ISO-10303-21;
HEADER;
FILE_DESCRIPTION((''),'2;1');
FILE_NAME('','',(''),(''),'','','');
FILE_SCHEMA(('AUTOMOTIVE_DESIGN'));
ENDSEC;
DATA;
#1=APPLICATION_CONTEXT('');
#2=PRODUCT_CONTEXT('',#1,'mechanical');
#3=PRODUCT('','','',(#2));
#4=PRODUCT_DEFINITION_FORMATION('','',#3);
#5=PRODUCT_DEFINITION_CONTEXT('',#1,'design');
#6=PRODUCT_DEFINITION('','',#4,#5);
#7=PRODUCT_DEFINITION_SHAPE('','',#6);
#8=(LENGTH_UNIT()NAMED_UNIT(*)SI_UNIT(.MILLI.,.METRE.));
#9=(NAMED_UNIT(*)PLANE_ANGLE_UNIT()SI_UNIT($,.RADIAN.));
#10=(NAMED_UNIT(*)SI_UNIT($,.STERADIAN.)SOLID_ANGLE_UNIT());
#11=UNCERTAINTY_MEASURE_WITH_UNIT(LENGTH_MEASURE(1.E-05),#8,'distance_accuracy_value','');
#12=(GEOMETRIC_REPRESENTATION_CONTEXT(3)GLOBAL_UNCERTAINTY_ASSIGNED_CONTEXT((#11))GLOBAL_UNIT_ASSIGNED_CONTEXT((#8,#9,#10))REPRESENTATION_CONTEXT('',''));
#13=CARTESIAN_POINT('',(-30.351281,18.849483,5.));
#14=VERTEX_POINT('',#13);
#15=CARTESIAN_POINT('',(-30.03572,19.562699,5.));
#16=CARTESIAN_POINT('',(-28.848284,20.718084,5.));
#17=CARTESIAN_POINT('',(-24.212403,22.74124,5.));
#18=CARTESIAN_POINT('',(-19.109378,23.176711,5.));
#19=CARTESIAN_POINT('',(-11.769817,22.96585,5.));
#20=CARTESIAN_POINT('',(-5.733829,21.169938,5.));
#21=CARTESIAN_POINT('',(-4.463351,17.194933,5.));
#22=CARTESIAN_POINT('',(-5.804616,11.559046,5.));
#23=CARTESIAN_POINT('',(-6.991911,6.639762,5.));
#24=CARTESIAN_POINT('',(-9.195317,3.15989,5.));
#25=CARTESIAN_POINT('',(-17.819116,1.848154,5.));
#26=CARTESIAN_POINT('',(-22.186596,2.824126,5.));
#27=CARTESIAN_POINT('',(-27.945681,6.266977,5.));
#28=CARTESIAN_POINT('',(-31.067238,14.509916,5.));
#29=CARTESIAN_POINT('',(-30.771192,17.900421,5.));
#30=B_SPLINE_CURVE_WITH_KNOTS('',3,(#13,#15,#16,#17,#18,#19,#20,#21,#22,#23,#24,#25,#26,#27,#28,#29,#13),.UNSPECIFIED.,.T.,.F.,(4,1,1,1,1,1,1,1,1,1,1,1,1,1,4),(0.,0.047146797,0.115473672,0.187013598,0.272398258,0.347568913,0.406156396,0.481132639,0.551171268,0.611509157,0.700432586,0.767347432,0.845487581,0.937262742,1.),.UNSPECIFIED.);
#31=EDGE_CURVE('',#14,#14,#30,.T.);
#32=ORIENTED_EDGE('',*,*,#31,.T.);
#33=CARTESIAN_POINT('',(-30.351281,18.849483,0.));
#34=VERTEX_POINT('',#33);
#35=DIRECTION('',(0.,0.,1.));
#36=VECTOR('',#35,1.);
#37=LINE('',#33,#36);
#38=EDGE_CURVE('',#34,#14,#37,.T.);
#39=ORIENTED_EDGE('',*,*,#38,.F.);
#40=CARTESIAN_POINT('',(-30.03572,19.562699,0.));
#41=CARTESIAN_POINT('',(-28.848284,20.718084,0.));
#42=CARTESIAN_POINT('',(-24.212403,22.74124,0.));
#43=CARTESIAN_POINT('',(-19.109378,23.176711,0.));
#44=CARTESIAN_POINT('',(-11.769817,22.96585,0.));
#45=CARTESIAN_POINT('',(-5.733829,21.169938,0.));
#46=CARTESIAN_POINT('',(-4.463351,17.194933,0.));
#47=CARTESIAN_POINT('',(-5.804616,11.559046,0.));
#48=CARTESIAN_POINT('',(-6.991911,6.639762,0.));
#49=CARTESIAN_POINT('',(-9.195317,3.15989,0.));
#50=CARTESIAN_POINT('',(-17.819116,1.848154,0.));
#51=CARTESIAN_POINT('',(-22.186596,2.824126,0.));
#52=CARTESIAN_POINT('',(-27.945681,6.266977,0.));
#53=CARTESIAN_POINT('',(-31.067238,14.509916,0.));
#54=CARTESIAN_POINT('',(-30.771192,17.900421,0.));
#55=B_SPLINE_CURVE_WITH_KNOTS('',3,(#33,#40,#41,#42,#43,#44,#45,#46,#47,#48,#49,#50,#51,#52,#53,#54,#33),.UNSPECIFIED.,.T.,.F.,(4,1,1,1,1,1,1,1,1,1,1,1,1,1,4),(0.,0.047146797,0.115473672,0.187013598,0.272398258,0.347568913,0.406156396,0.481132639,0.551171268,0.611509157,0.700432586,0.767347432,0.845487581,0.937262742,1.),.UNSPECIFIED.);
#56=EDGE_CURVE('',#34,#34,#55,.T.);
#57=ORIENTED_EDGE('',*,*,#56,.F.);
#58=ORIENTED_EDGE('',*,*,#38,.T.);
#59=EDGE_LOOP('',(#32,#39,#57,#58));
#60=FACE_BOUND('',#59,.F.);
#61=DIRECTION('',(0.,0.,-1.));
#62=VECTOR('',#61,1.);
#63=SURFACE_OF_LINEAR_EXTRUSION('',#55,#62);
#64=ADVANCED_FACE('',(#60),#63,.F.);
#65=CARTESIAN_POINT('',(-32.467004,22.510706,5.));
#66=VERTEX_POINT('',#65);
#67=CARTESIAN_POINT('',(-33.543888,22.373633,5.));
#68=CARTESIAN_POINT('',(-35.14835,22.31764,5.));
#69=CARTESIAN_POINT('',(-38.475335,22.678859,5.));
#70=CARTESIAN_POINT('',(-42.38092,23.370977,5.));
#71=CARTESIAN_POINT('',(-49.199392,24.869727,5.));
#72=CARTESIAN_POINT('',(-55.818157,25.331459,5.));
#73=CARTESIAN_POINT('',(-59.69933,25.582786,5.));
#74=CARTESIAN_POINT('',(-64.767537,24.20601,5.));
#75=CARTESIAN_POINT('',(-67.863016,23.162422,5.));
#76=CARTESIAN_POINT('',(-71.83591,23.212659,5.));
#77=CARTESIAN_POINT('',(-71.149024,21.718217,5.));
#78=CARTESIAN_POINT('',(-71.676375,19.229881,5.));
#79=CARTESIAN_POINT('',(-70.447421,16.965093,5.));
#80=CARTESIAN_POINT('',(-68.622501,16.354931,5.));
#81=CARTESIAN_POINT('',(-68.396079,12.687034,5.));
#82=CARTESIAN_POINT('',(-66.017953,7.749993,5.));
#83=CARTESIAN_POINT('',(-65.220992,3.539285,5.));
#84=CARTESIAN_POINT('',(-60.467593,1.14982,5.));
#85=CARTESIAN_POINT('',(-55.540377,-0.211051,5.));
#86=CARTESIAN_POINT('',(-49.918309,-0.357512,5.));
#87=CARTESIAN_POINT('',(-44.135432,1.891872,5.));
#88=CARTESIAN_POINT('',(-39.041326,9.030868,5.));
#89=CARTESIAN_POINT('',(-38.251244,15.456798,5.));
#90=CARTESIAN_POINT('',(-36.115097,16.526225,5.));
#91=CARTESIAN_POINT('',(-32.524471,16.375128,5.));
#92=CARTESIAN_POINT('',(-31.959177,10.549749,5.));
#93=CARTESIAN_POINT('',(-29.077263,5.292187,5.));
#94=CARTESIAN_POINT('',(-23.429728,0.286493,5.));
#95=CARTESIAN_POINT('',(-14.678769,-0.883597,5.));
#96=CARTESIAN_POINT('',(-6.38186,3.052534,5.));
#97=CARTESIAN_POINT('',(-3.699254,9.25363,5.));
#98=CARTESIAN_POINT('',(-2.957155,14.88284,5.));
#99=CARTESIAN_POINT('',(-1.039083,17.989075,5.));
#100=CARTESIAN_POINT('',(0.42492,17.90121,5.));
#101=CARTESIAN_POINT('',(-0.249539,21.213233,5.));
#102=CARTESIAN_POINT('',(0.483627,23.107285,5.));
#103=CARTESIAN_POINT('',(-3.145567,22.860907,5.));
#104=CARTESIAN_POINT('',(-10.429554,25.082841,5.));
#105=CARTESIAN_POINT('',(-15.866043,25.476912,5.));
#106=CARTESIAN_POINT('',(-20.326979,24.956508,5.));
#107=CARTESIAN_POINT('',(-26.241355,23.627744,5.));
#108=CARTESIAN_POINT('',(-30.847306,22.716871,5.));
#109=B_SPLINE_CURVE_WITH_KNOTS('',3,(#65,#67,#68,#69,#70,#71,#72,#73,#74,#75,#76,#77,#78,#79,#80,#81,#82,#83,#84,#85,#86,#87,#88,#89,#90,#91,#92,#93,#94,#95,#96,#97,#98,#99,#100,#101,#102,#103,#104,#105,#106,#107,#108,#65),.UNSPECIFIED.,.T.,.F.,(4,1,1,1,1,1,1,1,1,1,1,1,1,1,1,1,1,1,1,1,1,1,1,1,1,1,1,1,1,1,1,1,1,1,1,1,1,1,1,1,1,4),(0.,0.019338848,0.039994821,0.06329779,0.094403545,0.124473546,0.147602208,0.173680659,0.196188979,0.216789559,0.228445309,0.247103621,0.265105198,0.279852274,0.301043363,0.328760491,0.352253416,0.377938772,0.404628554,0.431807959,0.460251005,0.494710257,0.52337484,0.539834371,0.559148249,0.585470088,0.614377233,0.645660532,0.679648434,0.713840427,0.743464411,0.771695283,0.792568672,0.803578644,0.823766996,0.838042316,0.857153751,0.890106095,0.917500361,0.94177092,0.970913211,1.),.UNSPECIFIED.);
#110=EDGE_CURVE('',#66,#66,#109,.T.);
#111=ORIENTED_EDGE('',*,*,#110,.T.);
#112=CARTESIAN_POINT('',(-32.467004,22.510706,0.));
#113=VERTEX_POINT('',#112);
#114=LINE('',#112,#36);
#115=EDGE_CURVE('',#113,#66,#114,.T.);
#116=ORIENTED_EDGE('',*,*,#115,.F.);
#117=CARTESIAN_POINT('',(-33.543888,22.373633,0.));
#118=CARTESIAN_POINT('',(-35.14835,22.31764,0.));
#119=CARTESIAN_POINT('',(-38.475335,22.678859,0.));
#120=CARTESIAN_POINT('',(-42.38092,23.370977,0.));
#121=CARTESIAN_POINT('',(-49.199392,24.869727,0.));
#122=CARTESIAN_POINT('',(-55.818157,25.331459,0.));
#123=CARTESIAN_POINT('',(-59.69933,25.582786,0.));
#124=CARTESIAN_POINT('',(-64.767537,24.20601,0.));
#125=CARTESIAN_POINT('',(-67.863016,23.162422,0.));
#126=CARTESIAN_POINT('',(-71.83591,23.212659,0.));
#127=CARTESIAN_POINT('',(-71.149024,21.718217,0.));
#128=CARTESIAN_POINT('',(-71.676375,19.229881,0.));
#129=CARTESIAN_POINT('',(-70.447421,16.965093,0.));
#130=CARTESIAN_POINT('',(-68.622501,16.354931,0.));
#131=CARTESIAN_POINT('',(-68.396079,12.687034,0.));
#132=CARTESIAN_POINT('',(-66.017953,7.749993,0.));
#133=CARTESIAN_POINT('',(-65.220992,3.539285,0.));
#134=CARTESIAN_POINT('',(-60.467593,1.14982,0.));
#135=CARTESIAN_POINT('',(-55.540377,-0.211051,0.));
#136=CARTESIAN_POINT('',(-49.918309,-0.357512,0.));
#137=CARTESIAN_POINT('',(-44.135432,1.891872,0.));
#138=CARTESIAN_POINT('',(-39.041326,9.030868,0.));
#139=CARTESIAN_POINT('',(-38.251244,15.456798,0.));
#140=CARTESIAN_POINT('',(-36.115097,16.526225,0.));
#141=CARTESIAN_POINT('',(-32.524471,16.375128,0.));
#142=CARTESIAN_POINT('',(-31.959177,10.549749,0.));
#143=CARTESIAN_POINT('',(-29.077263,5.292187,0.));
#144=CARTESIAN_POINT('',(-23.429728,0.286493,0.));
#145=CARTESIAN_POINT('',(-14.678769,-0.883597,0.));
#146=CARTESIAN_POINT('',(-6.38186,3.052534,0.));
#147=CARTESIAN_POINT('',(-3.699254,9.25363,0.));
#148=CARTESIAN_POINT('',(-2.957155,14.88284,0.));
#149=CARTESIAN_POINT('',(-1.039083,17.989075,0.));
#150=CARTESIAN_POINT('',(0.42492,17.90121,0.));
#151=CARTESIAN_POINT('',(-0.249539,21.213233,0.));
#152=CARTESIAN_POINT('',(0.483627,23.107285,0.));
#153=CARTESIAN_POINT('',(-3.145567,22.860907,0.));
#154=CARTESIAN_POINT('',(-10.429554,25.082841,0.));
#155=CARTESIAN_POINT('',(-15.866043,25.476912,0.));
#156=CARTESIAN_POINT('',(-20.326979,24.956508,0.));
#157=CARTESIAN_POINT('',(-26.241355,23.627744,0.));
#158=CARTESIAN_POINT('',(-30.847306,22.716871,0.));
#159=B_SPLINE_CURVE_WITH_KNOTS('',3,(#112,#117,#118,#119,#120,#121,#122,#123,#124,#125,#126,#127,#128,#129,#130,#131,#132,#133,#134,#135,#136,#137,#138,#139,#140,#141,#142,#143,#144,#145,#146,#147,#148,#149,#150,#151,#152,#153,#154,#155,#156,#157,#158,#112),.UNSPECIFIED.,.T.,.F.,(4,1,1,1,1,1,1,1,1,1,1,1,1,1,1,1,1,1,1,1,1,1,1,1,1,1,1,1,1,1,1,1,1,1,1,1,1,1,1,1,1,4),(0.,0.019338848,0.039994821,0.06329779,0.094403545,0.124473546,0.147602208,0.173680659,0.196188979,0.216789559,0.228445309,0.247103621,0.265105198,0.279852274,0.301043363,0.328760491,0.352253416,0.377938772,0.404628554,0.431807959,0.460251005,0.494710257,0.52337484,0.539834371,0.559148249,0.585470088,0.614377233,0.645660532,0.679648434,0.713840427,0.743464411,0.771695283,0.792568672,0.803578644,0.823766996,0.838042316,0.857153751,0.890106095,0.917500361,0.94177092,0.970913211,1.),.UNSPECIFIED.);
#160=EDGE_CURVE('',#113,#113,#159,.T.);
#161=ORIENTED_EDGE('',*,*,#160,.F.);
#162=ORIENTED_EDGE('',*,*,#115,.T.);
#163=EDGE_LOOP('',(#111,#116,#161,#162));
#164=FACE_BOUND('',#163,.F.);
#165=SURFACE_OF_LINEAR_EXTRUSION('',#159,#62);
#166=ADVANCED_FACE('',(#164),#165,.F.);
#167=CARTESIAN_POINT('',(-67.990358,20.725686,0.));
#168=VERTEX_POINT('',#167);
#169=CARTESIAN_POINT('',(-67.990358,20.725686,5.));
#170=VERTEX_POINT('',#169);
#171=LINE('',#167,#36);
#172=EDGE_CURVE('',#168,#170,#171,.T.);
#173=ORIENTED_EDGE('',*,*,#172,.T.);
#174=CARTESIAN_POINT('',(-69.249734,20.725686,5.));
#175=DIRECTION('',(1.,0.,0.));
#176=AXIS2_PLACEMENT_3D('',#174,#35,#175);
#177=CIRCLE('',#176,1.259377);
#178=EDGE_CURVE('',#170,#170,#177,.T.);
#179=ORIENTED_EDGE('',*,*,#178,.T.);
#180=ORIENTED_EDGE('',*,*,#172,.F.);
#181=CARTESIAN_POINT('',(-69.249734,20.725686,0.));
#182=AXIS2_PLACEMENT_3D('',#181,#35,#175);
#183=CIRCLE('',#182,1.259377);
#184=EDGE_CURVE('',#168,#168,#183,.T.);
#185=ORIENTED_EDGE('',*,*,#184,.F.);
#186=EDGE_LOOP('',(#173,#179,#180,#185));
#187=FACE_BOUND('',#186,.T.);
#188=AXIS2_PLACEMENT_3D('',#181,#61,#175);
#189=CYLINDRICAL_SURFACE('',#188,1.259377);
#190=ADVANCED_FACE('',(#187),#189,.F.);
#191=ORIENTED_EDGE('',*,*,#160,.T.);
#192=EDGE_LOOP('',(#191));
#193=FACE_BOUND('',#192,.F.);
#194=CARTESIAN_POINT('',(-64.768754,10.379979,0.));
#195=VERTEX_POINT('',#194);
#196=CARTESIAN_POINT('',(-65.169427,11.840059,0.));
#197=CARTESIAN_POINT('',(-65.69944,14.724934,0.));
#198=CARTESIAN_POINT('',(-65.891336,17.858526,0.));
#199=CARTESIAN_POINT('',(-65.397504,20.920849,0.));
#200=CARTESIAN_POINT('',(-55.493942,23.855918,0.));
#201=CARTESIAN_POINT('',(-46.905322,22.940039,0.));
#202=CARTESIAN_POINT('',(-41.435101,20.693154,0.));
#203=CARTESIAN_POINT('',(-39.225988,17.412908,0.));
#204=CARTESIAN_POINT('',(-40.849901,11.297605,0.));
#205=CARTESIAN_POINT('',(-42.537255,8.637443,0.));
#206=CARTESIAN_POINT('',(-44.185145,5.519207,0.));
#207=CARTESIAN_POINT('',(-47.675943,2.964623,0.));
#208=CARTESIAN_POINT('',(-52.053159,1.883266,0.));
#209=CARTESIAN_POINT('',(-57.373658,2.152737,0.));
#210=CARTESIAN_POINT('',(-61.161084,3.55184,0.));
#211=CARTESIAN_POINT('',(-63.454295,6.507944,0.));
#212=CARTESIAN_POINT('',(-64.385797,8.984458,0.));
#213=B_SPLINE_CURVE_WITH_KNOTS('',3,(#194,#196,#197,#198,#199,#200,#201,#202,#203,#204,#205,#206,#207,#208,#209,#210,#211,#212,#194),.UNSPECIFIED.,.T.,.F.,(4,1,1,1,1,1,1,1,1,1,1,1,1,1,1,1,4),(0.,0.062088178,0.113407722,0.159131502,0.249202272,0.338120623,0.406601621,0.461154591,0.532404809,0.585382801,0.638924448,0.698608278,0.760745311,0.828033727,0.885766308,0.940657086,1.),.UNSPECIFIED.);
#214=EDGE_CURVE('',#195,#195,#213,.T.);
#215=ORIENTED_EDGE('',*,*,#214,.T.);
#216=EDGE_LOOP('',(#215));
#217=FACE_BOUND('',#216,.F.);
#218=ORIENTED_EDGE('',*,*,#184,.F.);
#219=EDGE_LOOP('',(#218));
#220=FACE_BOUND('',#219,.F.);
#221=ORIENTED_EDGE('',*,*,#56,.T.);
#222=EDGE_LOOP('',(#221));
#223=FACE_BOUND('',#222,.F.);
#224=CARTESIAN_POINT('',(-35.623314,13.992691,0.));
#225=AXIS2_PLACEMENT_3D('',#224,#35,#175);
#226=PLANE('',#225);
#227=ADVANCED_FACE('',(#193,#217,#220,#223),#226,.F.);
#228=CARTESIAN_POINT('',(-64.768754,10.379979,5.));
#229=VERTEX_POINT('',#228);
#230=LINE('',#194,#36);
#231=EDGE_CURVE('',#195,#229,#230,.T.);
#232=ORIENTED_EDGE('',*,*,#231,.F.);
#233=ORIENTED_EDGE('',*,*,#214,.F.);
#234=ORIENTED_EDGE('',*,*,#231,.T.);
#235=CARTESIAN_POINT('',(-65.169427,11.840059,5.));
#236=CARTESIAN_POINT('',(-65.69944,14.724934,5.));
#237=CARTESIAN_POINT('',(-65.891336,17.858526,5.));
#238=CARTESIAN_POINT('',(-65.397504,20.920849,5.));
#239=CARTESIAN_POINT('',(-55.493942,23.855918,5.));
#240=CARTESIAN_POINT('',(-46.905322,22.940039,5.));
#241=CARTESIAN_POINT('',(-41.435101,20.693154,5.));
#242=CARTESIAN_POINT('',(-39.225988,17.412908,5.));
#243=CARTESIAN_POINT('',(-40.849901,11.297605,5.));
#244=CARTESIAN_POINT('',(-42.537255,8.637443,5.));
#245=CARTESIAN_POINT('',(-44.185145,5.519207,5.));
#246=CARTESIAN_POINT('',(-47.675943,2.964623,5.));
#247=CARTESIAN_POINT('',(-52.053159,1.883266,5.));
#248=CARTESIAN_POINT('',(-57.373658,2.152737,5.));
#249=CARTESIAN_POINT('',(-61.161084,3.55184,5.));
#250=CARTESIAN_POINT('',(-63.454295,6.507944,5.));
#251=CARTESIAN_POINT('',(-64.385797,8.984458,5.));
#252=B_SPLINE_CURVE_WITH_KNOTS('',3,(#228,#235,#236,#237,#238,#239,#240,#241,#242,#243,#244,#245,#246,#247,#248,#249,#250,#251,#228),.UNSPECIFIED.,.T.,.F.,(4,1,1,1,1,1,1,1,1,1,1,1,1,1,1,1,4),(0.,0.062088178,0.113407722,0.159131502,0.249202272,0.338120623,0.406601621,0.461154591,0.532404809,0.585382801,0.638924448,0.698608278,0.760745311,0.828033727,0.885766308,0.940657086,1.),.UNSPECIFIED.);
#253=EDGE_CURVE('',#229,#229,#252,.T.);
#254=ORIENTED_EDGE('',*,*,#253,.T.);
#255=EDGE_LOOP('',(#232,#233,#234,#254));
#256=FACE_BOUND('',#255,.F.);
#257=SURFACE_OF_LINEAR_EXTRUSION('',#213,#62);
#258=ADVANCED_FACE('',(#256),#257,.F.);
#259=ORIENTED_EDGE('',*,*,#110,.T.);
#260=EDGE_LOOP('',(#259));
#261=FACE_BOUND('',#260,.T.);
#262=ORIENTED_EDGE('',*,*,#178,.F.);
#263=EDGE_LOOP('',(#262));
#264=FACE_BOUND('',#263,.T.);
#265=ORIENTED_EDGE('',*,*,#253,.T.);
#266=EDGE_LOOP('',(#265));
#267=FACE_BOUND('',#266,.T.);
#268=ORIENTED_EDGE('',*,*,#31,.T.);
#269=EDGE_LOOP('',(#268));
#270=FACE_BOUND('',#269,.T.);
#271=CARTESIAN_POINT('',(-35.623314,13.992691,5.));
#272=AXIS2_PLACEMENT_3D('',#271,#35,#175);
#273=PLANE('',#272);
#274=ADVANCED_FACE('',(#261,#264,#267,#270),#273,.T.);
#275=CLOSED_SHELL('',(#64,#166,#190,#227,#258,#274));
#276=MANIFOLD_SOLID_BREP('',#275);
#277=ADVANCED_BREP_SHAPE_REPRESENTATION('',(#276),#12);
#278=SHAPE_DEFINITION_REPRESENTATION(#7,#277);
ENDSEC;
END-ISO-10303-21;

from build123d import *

# Parameters (mm, degrees)
F0_R     = 1.2593767184
F1_DEPTH = 5
F2_DEPTH = 5


with BuildPart() as f1:
    # F0 (on Top) → F1 (new body)
    with BuildSketch(Plane.XY):
        with BuildLine():
            add(Edge.make_bspline(
                [(-32.4670039117, 22.5107055157), (-33.5438875434, 22.37363291), (-35.1483504082, 22.317639734), (-38.4753353368, 22.6788585954), (-42.3809195826, 23.3709765733), (-49.1993919331, 24.8697274522), (-55.818156536, 25.331459278), (-59.6993304341, 25.5827856081), (-64.767537319, 24.2060099944), (-67.8630156337, 23.1624223492), (-71.8359103057, 23.212659343), (-71.1490241731, 21.7182168139), (-71.6763752003, 19.2298809734), (-70.4474206302, 16.9650934242), (-68.6225014634, 16.354931492), (-68.3960793371, 12.6870340034), (-66.0179532942, 7.7499930435), (-65.2209921235, 3.5392845813), (-60.4675931962, 1.1498202818), (-55.5403765883, -0.2110511423), (-49.9183092031, -0.3575119994), (-44.1354317681, 1.8918722099), (-39.0413260148, 9.0308680536), (-38.2512441556, 15.4567975901), (-36.1150973148, 16.5262245979), (-32.5244707295, 16.3751279381), (-31.9591765908, 10.5497488998), (-29.0772627839, 5.2921866816), (-23.4297282093, 0.2864925895), (-14.6787691691, -0.883596864), (-6.3818599054, 3.0525344854), (-3.6992542177, 9.2536300563), (-2.9571554868, 14.882839804), (-1.0390831864, 17.9890749211), (0.4249195793, 17.901210217), (-0.2495387265, 21.2132328924), (0.48362691, 23.1072853658), (-3.1455670919, 22.8609067775), (-10.4295540475, 25.082841205), (-15.8660427387, 25.4769117588), (-20.3269785213, 24.9565081321), (-26.241354714, 23.6277442476), (-30.8473063058, 22.7168709405), (-32.4670039117, 22.5107055157)],
                knots=[0, 0, 0, 0, 0.0193388485, 0.0399948206, 0.0632977904, 0.0944035454, 0.1244735459, 0.1476022082, 0.1736806586, 0.196188979, 0.2167895586, 0.2284453091, 0.2471036214, 0.2651051983, 0.2798522741, 0.3010433634, 0.3287604912, 0.3522534164, 0.377938772, 0.4046285538, 0.4318079587, 0.4602510047, 0.4947102568, 0.5233748398, 0.5398343705, 0.5591482488, 0.5854700879, 0.614377233, 0.6456605322, 0.6796484343, 0.7138404267, 0.7434644111, 0.7716952826, 0.7925686716, 0.8035786436, 0.8237669956, 0.8380423163, 0.8571537508, 0.8901060955, 0.917500361, 0.94177092, 0.9709132113, 1, 1, 1, 1], degree=3))
        make_face()
        with BuildLine():
            add(Edge.make_bspline(
                [(-64.7687539458, 10.3799793869), (-65.1694266046, 11.8400594236), (-65.6994399049, 14.7249337647), (-65.8913359481, 17.8585264525), (-65.3975043024, 20.9208486191), (-55.4939417174, 23.855918125), (-46.9053217719, 22.9400387073), (-41.4351008837, 20.6931541721), (-39.2259880515, 17.4129075951), (-40.8499013106, 11.2976054727), (-42.5372553859, 8.6374433585), (-44.1851454469, 5.5192067533), (-47.6759432332, 2.964623268), (-52.0531590234, 1.8832656308), (-57.3736582755, 2.1527368783), (-61.1610844669, 3.5518399795), (-63.454295199, 6.5079438224), (-64.3857972557, 8.9844576166), (-64.7687539458, 10.3799793869)],
                knots=[0, 0, 0, 0, 0.0620881779, 0.1134077223, 0.1591315023, 0.2492022718, 0.3381206229, 0.4066016212, 0.461154591, 0.5324048091, 0.5853828005, 0.6389244485, 0.698608278, 0.7607453105, 0.8280337274, 0.8857663077, 0.940657086, 1, 1, 1, 1], degree=3))
        make_face(mode=Mode.SUBTRACT)
        with Locations((-69.2497342825, 20.7256861031)):
            Circle(F0_R, mode=Mode.SUBTRACT)
        with BuildLine():
            add(Edge.make_bspline(
                [(-30.3512811661, 18.8494827598), (-30.0357199806, 19.5626990784), (-28.8482837111, 20.7180835432), (-24.2124033965, 22.7412395012), (-19.1093780276, 23.176711154), (-11.7698171669, 22.9658501074), (-5.7338287072, 21.1699375014), (-4.4633514122, 17.1949329342), (-5.8046160947, 11.5590463176), (-6.9919107381, 6.63976243), (-9.1953170651, 3.1598900321), (-17.8191163929, 1.8481541766), (-22.186596293, 2.8241264528), (-27.9456806118, 6.2669771077), (-31.0672384116, 14.5099163484), (-30.7711918414, 17.9004207085), (-30.3512811661, 18.8494827598)],
                knots=[0, 0, 0, 0, 0.0471467971, 0.1154736716, 0.1870135976, 0.2723982579, 0.3475689133, 0.4061563962, 0.4811326392, 0.5511712675, 0.6115091573, 0.7004325858, 0.7673474322, 0.8454875807, 0.9372627423, 1, 1, 1, 1], degree=3))
        make_face(mode=Mode.SUBTRACT)
    extrude(amount=F1_DEPTH)

    # F0 (on Top) → F2 (cut)
    with BuildSketch(Plane.XY):
        with BuildLine():
            add(Edge.make_bspline(
                [(-32.4670039117, 22.5107055157), (-33.5438875434, 22.37363291), (-35.1483504082, 22.317639734), (-38.4753353368, 22.6788585954), (-42.3809195826, 23.3709765733), (-49.1993919331, 24.8697274522), (-55.818156536, 25.331459278), (-59.6993304341, 25.5827856081), (-64.767537319, 24.2060099944), (-67.8630156337, 23.1624223492), (-71.8359103057, 23.212659343), (-71.1490241731, 21.7182168139), (-71.6763752003, 19.2298809734), (-70.4474206302, 16.9650934242), (-68.6225014634, 16.354931492), (-68.3960793371, 12.6870340034), (-66.0179532942, 7.7499930435), (-65.2209921235, 3.5392845813), (-60.4675931962, 1.1498202818), (-55.5403765883, -0.2110511423), (-49.9183092031, -0.3575119994), (-44.1354317681, 1.8918722099), (-39.0413260148, 9.0308680536), (-38.2512441556, 15.4567975901), (-36.1150973148, 16.5262245979), (-32.5244707295, 16.3751279381), (-31.9591765908, 10.5497488998), (-29.0772627839, 5.2921866816), (-23.4297282093, 0.2864925895), (-14.6787691691, -0.883596864), (-6.3818599054, 3.0525344854), (-3.6992542177, 9.2536300563), (-2.9571554868, 14.882839804), (-1.0390831864, 17.9890749211), (0.4249195793, 17.901210217), (-0.2495387265, 21.2132328924), (0.48362691, 23.1072853658), (-3.1455670919, 22.8609067775), (-10.4295540475, 25.082841205), (-15.8660427387, 25.4769117588), (-20.3269785213, 24.9565081321), (-26.241354714, 23.6277442476), (-30.8473063058, 22.7168709405), (-32.4670039117, 22.5107055157)],
                knots=[0, 0, 0, 0, 0.0193388485, 0.0399948206, 0.0632977904, 0.0944035454, 0.1244735459, 0.1476022082, 0.1736806586, 0.196188979, 0.2167895586, 0.2284453091, 0.2471036214, 0.2651051983, 0.2798522741, 0.3010433634, 0.3287604912, 0.3522534164, 0.377938772, 0.4046285538, 0.4318079587, 0.4602510047, 0.4947102568, 0.5233748398, 0.5398343705, 0.5591482488, 0.5854700879, 0.614377233, 0.6456605322, 0.6796484343, 0.7138404267, 0.7434644111, 0.7716952826, 0.7925686716, 0.8035786436, 0.8237669956, 0.8380423163, 0.8571537508, 0.8901060955, 0.917500361, 0.94177092, 0.9709132113, 1, 1, 1, 1], degree=3))
        make_face()
        with BuildLine():
            add(Edge.make_bspline(
                [(-64.7687539458, 10.3799793869), (-65.1694266046, 11.8400594236), (-65.6994399049, 14.7249337647), (-65.8913359481, 17.8585264525), (-65.3975043024, 20.9208486191), (-55.4939417174, 23.855918125), (-46.9053217719, 22.9400387073), (-41.4351008837, 20.6931541721), (-39.2259880515, 17.4129075951), (-40.8499013106, 11.2976054727), (-42.5372553859, 8.6374433585), (-44.1851454469, 5.5192067533), (-47.6759432332, 2.964623268), (-52.0531590234, 1.8832656308), (-57.3736582755, 2.1527368783), (-61.1610844669, 3.5518399795), (-63.454295199, 6.5079438224), (-64.3857972557, 8.9844576166), (-64.7687539458, 10.3799793869)],
                knots=[0, 0, 0, 0, 0.0620881779, 0.1134077223, 0.1591315023, 0.2492022718, 0.3381206229, 0.4066016212, 0.461154591, 0.5324048091, 0.5853828005, 0.6389244485, 0.698608278, 0.7607453105, 0.8280337274, 0.8857663077, 0.940657086, 1, 1, 1, 1], degree=3))
        make_face(mode=Mode.SUBTRACT)
        with Locations((-69.2497342825, 20.7256861031)):
            Circle(F0_R, mode=Mode.SUBTRACT)
        with BuildLine():
            add(Edge.make_bspline(
                [(-30.3512811661, 18.8494827598), (-30.0357199806, 19.5626990784), (-28.8482837111, 20.7180835432), (-24.2124033965, 22.7412395012), (-19.1093780276, 23.176711154), (-11.7698171669, 22.9658501074), (-5.7338287072, 21.1699375014), (-4.4633514122, 17.1949329342), (-5.8046160947, 11.5590463176), (-6.9919107381, 6.63976243), (-9.1953170651, 3.1598900321), (-17.8191163929, 1.8481541766), (-22.186596293, 2.8241264528), (-27.9456806118, 6.2669771077), (-31.0672384116, 14.5099163484), (-30.7711918414, 17.9004207085), (-30.3512811661, 18.8494827598)],
                knots=[0, 0, 0, 0, 0.0471467971, 0.1154736716, 0.1870135976, 0.2723982579, 0.3475689133, 0.4061563962, 0.4811326392, 0.5511712675, 0.6115091573, 0.7004325858, 0.7673474322, 0.8454875807, 0.9372627423, 1, 1, 1, 1], degree=3))
        make_face(mode=Mode.SUBTRACT)
    extrude(amount=-F2_DEPTH, mode=Mode.SUBTRACT)


solid = f1.part
